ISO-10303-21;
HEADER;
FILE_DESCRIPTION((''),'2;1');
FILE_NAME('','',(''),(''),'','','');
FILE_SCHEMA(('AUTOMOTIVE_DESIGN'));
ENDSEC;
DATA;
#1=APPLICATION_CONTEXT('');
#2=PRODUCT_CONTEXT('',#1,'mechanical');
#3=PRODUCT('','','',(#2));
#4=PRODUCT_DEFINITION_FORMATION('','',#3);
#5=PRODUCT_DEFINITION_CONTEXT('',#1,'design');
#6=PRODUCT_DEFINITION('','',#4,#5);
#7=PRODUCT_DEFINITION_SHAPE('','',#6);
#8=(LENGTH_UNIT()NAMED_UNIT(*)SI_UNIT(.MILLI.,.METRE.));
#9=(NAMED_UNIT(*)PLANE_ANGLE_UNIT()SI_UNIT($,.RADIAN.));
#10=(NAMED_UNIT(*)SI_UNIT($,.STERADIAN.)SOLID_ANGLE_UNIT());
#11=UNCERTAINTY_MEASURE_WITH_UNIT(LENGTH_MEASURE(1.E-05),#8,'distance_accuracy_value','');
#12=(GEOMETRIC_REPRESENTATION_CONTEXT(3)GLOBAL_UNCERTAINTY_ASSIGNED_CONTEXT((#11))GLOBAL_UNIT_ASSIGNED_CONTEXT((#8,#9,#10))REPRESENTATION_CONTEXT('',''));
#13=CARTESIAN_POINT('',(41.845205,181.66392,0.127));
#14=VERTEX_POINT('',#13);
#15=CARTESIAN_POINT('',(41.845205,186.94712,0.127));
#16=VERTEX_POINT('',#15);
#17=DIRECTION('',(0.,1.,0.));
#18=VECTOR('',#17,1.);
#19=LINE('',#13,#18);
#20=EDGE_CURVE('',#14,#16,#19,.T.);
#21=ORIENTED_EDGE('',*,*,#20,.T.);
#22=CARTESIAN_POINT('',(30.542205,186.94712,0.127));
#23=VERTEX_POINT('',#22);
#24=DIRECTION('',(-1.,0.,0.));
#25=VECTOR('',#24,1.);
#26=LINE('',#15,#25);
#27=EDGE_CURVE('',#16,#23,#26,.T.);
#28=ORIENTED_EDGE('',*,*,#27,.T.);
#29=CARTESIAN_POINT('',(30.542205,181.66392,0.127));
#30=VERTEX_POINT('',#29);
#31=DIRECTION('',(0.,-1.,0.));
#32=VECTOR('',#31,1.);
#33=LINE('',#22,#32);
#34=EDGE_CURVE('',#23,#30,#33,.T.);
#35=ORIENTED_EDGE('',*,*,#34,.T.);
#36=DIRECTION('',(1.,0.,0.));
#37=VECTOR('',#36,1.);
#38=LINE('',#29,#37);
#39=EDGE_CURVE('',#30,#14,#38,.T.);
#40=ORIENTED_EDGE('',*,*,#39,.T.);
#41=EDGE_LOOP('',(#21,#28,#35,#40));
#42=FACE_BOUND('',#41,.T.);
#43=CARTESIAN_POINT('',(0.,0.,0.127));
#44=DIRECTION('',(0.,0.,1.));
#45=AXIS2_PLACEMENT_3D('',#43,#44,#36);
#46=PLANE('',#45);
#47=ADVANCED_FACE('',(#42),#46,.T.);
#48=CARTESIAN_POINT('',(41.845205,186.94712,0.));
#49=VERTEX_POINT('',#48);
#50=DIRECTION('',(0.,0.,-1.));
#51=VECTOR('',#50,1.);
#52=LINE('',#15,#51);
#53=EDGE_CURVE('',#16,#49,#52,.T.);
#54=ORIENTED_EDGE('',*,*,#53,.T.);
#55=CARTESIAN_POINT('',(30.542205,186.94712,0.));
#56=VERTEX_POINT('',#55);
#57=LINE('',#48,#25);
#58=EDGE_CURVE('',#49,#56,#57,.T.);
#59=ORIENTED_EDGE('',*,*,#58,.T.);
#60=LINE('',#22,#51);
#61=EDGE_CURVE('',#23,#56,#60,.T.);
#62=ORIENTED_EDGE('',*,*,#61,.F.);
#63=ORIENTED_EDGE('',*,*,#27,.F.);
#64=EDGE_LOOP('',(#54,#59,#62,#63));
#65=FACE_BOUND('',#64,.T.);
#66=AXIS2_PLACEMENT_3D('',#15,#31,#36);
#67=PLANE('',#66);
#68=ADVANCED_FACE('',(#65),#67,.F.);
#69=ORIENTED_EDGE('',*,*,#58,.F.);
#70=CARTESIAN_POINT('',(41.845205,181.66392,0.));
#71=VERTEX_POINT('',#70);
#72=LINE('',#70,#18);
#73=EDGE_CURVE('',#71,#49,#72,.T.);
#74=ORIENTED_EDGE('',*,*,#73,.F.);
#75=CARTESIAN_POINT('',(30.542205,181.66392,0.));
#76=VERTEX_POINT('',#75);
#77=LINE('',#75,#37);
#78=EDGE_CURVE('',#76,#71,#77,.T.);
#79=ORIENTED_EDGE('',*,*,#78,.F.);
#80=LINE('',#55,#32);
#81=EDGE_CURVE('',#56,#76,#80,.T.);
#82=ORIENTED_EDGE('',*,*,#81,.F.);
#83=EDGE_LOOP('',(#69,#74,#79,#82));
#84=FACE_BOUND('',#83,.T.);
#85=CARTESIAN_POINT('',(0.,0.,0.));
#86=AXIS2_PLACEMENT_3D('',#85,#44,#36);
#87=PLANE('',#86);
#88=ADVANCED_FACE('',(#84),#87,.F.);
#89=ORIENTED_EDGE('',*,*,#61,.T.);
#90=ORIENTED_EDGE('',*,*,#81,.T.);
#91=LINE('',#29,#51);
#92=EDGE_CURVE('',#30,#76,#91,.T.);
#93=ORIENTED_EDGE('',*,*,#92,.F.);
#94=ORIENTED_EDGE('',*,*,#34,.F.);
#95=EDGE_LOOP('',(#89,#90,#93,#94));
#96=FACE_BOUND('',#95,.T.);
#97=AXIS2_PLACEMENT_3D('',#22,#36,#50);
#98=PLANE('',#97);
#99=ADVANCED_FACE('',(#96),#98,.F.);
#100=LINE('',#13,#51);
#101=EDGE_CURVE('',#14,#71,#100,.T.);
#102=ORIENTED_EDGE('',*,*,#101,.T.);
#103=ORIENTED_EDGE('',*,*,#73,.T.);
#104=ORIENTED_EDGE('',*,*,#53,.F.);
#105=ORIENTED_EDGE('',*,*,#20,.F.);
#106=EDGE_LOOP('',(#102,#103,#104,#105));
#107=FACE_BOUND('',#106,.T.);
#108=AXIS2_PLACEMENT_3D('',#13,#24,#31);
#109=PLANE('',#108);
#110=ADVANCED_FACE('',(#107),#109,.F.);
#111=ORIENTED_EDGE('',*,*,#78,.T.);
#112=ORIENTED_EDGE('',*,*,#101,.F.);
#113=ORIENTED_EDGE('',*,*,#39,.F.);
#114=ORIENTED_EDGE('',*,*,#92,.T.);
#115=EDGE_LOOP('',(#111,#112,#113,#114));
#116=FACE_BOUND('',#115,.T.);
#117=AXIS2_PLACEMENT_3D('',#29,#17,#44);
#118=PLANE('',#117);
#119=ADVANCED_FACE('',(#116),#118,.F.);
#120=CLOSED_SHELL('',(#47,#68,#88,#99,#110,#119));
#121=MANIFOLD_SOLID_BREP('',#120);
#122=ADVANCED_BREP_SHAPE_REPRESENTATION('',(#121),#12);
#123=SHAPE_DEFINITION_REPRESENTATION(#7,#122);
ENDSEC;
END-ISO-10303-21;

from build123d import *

# Parameters (mm, degrees)
SKETCH1_W           = 11.303
SKETCH1_H           = 5.2832
BOSS_EXTRUDE1_DEPTH = 0.127


with BuildPart() as part:
    # Sketch1 → Boss-Extrude1 (new body)
    with BuildSketch(Plane.XY):
        with Locations((36.193705076, 184.305520133)):
            Rectangle(SKETCH1_W, SKETCH1_H)
    extrude(amount=BOSS_EXTRUDE1_DEPTH)


solid = part.part
